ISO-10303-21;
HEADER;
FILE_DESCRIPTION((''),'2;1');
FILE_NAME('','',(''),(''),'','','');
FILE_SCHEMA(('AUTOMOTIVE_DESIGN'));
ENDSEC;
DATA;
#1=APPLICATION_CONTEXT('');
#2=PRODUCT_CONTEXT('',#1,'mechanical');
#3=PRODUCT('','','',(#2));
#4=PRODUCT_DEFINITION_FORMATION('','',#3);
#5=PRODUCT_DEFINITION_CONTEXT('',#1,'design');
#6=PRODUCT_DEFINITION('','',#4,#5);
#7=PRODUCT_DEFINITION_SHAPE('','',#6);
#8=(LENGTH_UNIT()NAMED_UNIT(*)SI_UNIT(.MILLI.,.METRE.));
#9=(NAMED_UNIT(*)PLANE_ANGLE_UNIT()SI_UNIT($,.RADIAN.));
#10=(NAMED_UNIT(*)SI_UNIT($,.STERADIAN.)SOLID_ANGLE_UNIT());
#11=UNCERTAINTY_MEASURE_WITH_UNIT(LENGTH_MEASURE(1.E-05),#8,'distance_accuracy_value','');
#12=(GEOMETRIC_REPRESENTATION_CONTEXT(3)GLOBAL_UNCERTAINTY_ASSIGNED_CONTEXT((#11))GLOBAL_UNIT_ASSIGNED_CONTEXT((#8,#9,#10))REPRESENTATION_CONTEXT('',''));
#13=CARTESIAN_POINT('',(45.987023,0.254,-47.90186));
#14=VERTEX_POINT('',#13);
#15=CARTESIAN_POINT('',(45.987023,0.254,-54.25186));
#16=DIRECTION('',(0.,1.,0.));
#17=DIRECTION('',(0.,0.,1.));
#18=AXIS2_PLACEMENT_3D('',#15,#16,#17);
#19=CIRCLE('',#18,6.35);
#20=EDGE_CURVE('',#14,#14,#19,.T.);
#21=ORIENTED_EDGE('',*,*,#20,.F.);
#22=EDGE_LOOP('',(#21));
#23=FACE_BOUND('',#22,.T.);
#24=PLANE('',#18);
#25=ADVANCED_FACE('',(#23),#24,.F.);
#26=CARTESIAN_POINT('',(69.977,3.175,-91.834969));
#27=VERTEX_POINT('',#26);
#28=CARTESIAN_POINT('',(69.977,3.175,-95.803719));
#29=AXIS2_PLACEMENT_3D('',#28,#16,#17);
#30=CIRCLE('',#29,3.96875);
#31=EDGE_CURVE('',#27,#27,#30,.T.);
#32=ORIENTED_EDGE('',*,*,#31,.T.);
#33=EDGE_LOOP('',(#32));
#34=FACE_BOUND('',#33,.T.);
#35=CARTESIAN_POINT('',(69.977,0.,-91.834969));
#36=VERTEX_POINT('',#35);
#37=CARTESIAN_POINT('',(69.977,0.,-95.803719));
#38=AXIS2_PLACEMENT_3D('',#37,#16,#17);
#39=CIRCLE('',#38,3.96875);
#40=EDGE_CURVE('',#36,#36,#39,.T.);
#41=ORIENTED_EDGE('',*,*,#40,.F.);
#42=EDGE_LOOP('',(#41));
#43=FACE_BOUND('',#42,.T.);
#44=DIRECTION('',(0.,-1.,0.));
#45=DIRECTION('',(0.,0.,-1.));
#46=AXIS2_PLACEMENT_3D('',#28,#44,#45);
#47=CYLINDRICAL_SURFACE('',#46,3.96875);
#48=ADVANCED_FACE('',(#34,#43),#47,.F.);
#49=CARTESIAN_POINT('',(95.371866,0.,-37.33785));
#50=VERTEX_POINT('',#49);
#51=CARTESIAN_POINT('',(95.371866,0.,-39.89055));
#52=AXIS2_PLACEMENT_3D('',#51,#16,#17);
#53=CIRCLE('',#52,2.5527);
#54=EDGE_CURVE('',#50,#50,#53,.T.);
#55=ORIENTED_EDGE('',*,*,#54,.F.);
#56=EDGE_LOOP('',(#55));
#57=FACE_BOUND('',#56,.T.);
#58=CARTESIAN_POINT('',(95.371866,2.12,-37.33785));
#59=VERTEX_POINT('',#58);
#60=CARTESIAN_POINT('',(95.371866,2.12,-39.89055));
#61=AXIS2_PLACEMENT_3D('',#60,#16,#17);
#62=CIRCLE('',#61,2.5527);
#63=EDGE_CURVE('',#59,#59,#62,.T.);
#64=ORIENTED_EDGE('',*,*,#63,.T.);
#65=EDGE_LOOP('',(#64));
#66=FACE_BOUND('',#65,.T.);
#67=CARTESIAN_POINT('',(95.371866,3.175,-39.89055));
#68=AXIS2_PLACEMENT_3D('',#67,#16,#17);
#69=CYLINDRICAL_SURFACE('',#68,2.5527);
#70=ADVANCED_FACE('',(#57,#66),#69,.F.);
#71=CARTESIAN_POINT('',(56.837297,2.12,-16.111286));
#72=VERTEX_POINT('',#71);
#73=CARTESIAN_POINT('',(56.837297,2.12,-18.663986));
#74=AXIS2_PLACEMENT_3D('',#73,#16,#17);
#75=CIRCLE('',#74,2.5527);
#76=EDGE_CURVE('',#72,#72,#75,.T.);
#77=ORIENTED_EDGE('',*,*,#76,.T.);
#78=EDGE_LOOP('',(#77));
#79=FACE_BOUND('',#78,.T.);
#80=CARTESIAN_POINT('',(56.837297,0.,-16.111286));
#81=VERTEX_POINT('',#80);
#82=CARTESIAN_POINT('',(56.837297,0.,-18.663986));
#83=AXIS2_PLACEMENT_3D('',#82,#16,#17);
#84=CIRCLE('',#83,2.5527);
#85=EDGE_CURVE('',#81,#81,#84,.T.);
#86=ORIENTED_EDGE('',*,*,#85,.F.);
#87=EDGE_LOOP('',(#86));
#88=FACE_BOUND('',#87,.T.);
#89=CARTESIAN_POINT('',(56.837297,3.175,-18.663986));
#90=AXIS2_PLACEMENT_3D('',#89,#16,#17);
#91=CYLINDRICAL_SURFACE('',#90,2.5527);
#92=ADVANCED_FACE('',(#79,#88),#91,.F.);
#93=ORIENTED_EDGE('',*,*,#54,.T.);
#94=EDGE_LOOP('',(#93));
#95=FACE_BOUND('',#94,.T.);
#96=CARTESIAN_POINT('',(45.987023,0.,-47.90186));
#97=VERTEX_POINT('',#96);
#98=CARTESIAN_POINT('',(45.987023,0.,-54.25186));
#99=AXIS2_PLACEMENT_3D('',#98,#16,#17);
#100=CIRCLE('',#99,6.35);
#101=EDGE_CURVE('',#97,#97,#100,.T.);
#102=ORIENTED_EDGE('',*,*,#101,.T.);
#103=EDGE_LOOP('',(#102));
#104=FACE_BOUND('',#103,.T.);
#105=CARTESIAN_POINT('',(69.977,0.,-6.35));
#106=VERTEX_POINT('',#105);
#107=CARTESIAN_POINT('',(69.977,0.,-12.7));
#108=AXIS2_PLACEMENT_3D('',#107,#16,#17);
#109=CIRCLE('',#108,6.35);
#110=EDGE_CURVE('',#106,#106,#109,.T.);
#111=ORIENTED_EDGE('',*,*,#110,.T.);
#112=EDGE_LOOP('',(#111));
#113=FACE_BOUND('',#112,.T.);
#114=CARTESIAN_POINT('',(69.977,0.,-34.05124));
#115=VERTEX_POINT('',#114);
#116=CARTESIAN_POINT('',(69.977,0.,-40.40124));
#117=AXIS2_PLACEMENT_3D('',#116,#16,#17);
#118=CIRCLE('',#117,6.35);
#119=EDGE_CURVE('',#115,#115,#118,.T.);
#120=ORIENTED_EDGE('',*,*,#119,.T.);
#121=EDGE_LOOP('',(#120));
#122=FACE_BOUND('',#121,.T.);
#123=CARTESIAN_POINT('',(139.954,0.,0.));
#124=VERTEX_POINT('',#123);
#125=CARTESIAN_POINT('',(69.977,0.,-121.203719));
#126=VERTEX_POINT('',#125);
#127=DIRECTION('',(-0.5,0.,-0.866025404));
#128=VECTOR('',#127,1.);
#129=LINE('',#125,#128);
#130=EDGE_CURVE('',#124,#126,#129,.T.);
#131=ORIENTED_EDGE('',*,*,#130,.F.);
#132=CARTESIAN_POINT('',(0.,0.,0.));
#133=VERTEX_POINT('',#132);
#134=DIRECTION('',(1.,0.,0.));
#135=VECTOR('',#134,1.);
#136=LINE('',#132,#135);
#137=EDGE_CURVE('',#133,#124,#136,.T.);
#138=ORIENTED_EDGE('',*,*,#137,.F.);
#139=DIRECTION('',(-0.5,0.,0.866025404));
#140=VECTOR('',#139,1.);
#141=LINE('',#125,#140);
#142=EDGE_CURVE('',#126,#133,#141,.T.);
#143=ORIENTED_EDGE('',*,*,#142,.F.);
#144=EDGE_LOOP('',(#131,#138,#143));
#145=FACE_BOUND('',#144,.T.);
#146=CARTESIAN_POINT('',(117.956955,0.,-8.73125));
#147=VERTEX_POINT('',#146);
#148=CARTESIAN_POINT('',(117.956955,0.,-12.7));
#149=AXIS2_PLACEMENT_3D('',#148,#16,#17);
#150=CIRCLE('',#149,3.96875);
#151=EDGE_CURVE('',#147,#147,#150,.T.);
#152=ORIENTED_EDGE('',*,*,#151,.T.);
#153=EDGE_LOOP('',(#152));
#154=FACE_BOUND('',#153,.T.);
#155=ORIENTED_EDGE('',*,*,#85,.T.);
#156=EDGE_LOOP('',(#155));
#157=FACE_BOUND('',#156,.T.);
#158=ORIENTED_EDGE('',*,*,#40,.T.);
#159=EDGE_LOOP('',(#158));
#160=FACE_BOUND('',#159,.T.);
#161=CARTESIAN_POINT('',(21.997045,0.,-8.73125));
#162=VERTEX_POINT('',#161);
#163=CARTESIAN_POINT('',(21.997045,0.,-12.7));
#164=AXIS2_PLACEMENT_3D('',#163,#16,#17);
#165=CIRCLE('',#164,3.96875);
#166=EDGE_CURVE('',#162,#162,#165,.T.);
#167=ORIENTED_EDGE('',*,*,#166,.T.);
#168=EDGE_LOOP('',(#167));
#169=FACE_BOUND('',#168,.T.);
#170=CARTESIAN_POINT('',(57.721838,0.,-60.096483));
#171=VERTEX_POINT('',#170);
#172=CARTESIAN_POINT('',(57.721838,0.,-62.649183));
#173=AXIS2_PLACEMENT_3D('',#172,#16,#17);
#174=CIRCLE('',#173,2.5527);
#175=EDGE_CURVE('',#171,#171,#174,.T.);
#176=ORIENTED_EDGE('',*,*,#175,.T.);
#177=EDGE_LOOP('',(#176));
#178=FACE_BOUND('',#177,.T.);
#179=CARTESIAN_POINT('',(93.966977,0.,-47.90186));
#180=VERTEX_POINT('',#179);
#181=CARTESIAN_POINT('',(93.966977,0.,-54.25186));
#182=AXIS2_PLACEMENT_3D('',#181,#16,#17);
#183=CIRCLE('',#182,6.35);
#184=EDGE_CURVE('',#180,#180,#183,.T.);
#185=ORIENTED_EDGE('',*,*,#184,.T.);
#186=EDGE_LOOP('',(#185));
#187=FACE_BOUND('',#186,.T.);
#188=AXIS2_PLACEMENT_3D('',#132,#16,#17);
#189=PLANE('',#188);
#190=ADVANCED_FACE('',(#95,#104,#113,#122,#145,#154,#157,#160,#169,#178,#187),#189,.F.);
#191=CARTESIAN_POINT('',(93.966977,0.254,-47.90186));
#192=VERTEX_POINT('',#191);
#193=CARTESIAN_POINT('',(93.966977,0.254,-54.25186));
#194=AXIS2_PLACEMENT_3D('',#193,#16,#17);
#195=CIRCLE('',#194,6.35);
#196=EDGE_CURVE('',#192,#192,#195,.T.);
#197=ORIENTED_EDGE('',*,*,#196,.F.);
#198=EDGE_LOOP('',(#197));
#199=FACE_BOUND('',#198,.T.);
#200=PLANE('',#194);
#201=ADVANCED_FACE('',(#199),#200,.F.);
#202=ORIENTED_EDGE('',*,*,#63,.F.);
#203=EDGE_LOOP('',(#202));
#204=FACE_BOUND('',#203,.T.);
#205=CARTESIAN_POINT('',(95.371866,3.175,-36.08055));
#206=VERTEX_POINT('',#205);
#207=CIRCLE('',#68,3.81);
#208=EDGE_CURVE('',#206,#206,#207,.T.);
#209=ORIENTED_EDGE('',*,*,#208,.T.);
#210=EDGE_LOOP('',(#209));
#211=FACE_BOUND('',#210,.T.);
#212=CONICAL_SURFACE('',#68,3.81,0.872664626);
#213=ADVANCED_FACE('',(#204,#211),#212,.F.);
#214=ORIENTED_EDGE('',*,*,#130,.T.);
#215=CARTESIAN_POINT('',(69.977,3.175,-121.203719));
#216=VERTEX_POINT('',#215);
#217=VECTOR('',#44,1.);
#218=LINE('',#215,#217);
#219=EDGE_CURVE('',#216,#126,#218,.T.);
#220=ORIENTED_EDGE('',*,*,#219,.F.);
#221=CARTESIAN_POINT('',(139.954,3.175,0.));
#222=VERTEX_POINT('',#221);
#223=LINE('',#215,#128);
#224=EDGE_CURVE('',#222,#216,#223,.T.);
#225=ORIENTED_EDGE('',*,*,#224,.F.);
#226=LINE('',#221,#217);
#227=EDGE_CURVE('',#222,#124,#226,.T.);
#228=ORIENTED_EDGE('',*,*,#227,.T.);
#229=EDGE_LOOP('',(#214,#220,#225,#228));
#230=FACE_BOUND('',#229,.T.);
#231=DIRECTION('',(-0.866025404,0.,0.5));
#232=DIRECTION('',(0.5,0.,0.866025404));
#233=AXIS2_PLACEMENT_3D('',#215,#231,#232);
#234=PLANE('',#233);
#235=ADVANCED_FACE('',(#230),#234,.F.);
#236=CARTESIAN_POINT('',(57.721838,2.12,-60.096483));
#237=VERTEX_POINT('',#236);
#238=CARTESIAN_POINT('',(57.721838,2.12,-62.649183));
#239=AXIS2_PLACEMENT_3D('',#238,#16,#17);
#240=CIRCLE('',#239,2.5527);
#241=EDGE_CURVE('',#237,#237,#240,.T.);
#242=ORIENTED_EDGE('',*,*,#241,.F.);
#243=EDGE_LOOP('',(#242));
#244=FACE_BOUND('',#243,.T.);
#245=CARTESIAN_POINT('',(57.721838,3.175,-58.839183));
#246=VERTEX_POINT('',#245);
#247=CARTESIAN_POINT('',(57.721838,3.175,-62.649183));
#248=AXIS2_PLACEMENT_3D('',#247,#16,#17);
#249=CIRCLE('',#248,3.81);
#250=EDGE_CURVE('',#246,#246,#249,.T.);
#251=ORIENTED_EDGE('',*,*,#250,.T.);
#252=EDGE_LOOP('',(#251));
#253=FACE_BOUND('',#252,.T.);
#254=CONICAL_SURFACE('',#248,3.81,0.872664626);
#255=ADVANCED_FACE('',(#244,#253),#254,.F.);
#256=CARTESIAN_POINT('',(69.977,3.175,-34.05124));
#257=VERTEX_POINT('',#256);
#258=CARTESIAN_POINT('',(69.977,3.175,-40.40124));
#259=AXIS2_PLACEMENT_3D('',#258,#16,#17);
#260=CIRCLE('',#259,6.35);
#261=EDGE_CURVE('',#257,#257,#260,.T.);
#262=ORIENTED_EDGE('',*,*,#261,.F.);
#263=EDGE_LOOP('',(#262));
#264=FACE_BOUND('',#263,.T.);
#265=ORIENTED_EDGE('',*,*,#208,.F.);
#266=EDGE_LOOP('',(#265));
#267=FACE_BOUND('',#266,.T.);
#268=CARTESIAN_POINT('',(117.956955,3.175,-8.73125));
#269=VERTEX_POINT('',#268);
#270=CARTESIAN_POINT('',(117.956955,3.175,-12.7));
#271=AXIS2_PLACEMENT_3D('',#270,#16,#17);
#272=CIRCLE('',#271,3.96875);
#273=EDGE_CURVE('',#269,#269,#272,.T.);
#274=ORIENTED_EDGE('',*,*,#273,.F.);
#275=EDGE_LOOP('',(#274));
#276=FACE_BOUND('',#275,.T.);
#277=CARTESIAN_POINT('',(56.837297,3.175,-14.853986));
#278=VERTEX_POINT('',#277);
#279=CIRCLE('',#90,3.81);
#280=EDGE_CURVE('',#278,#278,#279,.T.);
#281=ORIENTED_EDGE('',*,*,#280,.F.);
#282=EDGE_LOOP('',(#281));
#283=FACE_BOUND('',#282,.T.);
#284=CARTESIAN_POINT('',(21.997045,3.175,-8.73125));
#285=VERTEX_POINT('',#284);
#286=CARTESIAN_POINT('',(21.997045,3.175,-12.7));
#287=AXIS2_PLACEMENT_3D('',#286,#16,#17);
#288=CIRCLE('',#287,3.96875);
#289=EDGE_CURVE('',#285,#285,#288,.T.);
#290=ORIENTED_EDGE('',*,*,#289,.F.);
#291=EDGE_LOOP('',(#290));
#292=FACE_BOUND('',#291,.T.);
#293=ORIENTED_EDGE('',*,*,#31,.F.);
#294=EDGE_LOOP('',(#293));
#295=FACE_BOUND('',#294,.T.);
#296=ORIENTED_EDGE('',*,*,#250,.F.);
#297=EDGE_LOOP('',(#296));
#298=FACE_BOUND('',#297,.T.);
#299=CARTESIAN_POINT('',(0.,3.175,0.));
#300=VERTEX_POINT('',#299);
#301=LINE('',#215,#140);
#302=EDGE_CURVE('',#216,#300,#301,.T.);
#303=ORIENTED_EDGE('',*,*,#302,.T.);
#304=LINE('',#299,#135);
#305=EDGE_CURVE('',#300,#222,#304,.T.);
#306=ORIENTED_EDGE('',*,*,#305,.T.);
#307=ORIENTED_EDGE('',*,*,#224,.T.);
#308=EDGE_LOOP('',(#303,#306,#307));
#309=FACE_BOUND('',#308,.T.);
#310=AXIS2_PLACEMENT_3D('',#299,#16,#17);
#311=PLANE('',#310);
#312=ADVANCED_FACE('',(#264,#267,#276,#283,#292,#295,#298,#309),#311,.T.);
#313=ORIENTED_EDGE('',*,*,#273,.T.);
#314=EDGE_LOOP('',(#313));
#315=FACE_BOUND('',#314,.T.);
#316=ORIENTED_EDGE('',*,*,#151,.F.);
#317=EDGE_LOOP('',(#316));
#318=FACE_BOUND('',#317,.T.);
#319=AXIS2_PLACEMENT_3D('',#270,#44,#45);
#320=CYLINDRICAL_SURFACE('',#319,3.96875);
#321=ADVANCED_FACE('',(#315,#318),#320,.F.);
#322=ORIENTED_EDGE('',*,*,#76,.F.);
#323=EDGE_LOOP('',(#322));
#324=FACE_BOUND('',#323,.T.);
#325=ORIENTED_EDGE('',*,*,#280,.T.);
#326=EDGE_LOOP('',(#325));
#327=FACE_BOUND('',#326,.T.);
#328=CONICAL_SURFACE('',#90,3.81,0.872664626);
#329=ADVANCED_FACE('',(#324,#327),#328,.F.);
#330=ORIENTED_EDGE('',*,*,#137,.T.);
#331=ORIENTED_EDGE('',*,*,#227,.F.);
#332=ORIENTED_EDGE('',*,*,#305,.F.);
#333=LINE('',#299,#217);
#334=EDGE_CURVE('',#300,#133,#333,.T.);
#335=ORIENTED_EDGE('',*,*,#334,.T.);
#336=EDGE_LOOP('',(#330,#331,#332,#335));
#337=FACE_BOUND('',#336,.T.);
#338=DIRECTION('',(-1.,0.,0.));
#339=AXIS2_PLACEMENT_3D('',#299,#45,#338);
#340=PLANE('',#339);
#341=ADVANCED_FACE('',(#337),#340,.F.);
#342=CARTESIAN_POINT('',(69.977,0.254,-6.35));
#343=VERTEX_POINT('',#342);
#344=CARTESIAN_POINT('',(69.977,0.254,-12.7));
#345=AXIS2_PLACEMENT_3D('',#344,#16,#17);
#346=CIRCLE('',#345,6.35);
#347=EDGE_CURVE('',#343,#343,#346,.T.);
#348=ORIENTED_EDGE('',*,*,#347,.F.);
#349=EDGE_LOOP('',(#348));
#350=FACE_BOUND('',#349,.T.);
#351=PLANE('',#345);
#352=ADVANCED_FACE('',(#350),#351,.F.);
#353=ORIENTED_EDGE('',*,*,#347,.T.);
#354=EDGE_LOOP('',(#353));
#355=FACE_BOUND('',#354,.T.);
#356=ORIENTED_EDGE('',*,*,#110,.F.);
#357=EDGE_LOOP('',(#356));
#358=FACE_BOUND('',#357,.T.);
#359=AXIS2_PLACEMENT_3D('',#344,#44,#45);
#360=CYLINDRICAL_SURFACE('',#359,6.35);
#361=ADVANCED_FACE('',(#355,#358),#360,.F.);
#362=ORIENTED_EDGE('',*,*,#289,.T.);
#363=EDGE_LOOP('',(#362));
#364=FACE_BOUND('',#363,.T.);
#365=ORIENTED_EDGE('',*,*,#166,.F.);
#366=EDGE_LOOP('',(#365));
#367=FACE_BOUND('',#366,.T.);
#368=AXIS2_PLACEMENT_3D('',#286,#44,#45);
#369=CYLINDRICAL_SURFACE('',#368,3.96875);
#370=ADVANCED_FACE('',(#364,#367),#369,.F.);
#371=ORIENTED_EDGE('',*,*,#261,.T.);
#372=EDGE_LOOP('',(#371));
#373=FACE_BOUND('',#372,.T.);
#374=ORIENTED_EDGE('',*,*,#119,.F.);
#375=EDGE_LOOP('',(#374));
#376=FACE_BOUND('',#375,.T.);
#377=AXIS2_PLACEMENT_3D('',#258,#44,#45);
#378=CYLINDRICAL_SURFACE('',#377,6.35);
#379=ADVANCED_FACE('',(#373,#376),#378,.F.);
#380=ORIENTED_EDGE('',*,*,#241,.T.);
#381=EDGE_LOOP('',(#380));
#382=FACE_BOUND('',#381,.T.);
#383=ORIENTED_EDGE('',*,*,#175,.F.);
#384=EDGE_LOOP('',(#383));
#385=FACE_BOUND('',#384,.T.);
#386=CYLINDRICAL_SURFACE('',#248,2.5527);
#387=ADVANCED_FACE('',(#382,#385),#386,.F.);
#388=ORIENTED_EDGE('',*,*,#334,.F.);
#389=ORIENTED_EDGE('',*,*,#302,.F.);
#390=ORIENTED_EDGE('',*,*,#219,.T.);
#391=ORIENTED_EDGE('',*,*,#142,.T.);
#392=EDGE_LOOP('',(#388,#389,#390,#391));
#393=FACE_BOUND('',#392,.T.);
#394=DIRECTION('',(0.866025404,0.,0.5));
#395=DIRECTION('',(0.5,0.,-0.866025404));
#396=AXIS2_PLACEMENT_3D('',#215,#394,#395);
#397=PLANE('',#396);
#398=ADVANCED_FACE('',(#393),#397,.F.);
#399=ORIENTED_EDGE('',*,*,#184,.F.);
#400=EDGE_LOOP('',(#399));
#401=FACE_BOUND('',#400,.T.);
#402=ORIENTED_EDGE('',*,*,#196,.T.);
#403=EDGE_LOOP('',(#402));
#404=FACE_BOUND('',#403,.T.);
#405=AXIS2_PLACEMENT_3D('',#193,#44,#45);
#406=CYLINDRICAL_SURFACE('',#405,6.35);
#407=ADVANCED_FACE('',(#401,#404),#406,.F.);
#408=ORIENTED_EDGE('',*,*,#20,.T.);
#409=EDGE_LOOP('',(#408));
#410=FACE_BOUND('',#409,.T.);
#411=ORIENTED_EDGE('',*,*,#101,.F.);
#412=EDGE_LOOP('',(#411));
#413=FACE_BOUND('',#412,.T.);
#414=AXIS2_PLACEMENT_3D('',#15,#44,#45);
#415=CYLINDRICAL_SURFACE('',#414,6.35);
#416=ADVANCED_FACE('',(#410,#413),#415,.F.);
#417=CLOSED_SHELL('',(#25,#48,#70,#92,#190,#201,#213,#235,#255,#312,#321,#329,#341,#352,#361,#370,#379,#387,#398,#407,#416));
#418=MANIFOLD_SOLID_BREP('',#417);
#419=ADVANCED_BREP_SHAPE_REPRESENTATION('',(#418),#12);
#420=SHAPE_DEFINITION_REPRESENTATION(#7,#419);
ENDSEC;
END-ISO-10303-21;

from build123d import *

# Parameters (mm, degrees)
SKETCH1_R                        = 6.35
SKETCH1_R_2                      = 3.96875
BOSS_EXTRUDE1_DEPTH              = 3.175
SKETCH2_R                        = 6.35
CUT_EXTRUDE1_DEPTH               = 0.254
F_1_4_20_TAPPED_HOLE1_AT_2_COUNT = 2
F_1_4_20_TAPPED_HOLE1_AT_2_PITCH = 43.994090512
F_1_4_20_TAPPED_HOLE1_AT_3_COUNT = 2
F_1_4_20_TAPPED_HOLE1_AT_3_PITCH = 43.994090512


with BuildPart() as part:
    # Sketch1 → Boss-Extrude1 (new body)
    with BuildSketch(Plane(origin=(0, 0, 0), x_dir=(1, 0, 0), z_dir=(0, 1, 0))):
        Polygon((0, 0), (139.954, 0), (69.977, 121.203719361), align=None)
        with Locations((69.977, 40.401239787)):
            Circle(SKETCH1_R, mode=Mode.SUBTRACT)
        with Locations((117.956954744, 12.7)):
            Circle(SKETCH1_R_2, mode=Mode.SUBTRACT)
        with Locations((21.997045256, 12.7)):
            Circle(SKETCH1_R_2, mode=Mode.SUBTRACT)
        with Locations((69.977, 95.803719361)):
            Circle(SKETCH1_R_2, mode=Mode.SUBTRACT)
    extrude(amount=BOSS_EXTRUDE1_DEPTH)

    # Sketch2 → Cut-Extrude1 (cut)
    with BuildSketch(Plane(origin=(0, 0, 0), x_dir=(1, 0, 0), z_dir=(0, 1, 0))):
        with Locations((93.966977372, 54.251859681)):
            Circle(SKETCH2_R)
        with Locations((69.977, 12.7)):
            Circle(SKETCH2_R)
        with Locations((45.987022628, 54.251859681)):
            Circle(SKETCH2_R)
    extrude(amount=CUT_EXTRUDE1_DEPTH, mode=Mode.SUBTRACT)

    # Sketch4 → 1/4-20 Tapped Hole1 (revolve, cut)
    with BuildSketch(Plane(origin=(56.837296951, 3.175, -18.663985964), x_dir=(0, 0, 1), z_dir=(1, 0, 0))):
        Polygon((0, 0), (0, 3.175), (2.5527, 3.175), (2.5527, 1.054999966), (3.81, 0), align=None)
    f_1_4_20_tapped_hole1 = revolve(axis=Axis((56.837296951, 9.525, -18.663985964), (0, -1, 0)), mode=Mode.SUBTRACT)

    # 1/4-20 Tapped Hole1 at 2: 1/4-20 Tapped Hole1 ×2
    with Locations(*[Vector(0.875903289, 0, -0.482486712) * (i * F_1_4_20_TAPPED_HOLE1_AT_2_PITCH) for i in range(1, F_1_4_20_TAPPED_HOLE1_AT_2_COUNT)]):
        add(f_1_4_20_tapped_hole1, mode=Mode.SUBTRACT)

    # 1/4-20 Tapped Hole1 at 3: 1/4-20 Tapped Hole1 ×2
    with Locations(*[Vector(0.020105895, 0, -0.999797856) * (i * F_1_4_20_TAPPED_HOLE1_AT_3_PITCH) for i in range(1, F_1_4_20_TAPPED_HOLE1_AT_3_COUNT)]):
        add(f_1_4_20_tapped_hole1, mode=Mode.SUBTRACT)


solid = part.part
